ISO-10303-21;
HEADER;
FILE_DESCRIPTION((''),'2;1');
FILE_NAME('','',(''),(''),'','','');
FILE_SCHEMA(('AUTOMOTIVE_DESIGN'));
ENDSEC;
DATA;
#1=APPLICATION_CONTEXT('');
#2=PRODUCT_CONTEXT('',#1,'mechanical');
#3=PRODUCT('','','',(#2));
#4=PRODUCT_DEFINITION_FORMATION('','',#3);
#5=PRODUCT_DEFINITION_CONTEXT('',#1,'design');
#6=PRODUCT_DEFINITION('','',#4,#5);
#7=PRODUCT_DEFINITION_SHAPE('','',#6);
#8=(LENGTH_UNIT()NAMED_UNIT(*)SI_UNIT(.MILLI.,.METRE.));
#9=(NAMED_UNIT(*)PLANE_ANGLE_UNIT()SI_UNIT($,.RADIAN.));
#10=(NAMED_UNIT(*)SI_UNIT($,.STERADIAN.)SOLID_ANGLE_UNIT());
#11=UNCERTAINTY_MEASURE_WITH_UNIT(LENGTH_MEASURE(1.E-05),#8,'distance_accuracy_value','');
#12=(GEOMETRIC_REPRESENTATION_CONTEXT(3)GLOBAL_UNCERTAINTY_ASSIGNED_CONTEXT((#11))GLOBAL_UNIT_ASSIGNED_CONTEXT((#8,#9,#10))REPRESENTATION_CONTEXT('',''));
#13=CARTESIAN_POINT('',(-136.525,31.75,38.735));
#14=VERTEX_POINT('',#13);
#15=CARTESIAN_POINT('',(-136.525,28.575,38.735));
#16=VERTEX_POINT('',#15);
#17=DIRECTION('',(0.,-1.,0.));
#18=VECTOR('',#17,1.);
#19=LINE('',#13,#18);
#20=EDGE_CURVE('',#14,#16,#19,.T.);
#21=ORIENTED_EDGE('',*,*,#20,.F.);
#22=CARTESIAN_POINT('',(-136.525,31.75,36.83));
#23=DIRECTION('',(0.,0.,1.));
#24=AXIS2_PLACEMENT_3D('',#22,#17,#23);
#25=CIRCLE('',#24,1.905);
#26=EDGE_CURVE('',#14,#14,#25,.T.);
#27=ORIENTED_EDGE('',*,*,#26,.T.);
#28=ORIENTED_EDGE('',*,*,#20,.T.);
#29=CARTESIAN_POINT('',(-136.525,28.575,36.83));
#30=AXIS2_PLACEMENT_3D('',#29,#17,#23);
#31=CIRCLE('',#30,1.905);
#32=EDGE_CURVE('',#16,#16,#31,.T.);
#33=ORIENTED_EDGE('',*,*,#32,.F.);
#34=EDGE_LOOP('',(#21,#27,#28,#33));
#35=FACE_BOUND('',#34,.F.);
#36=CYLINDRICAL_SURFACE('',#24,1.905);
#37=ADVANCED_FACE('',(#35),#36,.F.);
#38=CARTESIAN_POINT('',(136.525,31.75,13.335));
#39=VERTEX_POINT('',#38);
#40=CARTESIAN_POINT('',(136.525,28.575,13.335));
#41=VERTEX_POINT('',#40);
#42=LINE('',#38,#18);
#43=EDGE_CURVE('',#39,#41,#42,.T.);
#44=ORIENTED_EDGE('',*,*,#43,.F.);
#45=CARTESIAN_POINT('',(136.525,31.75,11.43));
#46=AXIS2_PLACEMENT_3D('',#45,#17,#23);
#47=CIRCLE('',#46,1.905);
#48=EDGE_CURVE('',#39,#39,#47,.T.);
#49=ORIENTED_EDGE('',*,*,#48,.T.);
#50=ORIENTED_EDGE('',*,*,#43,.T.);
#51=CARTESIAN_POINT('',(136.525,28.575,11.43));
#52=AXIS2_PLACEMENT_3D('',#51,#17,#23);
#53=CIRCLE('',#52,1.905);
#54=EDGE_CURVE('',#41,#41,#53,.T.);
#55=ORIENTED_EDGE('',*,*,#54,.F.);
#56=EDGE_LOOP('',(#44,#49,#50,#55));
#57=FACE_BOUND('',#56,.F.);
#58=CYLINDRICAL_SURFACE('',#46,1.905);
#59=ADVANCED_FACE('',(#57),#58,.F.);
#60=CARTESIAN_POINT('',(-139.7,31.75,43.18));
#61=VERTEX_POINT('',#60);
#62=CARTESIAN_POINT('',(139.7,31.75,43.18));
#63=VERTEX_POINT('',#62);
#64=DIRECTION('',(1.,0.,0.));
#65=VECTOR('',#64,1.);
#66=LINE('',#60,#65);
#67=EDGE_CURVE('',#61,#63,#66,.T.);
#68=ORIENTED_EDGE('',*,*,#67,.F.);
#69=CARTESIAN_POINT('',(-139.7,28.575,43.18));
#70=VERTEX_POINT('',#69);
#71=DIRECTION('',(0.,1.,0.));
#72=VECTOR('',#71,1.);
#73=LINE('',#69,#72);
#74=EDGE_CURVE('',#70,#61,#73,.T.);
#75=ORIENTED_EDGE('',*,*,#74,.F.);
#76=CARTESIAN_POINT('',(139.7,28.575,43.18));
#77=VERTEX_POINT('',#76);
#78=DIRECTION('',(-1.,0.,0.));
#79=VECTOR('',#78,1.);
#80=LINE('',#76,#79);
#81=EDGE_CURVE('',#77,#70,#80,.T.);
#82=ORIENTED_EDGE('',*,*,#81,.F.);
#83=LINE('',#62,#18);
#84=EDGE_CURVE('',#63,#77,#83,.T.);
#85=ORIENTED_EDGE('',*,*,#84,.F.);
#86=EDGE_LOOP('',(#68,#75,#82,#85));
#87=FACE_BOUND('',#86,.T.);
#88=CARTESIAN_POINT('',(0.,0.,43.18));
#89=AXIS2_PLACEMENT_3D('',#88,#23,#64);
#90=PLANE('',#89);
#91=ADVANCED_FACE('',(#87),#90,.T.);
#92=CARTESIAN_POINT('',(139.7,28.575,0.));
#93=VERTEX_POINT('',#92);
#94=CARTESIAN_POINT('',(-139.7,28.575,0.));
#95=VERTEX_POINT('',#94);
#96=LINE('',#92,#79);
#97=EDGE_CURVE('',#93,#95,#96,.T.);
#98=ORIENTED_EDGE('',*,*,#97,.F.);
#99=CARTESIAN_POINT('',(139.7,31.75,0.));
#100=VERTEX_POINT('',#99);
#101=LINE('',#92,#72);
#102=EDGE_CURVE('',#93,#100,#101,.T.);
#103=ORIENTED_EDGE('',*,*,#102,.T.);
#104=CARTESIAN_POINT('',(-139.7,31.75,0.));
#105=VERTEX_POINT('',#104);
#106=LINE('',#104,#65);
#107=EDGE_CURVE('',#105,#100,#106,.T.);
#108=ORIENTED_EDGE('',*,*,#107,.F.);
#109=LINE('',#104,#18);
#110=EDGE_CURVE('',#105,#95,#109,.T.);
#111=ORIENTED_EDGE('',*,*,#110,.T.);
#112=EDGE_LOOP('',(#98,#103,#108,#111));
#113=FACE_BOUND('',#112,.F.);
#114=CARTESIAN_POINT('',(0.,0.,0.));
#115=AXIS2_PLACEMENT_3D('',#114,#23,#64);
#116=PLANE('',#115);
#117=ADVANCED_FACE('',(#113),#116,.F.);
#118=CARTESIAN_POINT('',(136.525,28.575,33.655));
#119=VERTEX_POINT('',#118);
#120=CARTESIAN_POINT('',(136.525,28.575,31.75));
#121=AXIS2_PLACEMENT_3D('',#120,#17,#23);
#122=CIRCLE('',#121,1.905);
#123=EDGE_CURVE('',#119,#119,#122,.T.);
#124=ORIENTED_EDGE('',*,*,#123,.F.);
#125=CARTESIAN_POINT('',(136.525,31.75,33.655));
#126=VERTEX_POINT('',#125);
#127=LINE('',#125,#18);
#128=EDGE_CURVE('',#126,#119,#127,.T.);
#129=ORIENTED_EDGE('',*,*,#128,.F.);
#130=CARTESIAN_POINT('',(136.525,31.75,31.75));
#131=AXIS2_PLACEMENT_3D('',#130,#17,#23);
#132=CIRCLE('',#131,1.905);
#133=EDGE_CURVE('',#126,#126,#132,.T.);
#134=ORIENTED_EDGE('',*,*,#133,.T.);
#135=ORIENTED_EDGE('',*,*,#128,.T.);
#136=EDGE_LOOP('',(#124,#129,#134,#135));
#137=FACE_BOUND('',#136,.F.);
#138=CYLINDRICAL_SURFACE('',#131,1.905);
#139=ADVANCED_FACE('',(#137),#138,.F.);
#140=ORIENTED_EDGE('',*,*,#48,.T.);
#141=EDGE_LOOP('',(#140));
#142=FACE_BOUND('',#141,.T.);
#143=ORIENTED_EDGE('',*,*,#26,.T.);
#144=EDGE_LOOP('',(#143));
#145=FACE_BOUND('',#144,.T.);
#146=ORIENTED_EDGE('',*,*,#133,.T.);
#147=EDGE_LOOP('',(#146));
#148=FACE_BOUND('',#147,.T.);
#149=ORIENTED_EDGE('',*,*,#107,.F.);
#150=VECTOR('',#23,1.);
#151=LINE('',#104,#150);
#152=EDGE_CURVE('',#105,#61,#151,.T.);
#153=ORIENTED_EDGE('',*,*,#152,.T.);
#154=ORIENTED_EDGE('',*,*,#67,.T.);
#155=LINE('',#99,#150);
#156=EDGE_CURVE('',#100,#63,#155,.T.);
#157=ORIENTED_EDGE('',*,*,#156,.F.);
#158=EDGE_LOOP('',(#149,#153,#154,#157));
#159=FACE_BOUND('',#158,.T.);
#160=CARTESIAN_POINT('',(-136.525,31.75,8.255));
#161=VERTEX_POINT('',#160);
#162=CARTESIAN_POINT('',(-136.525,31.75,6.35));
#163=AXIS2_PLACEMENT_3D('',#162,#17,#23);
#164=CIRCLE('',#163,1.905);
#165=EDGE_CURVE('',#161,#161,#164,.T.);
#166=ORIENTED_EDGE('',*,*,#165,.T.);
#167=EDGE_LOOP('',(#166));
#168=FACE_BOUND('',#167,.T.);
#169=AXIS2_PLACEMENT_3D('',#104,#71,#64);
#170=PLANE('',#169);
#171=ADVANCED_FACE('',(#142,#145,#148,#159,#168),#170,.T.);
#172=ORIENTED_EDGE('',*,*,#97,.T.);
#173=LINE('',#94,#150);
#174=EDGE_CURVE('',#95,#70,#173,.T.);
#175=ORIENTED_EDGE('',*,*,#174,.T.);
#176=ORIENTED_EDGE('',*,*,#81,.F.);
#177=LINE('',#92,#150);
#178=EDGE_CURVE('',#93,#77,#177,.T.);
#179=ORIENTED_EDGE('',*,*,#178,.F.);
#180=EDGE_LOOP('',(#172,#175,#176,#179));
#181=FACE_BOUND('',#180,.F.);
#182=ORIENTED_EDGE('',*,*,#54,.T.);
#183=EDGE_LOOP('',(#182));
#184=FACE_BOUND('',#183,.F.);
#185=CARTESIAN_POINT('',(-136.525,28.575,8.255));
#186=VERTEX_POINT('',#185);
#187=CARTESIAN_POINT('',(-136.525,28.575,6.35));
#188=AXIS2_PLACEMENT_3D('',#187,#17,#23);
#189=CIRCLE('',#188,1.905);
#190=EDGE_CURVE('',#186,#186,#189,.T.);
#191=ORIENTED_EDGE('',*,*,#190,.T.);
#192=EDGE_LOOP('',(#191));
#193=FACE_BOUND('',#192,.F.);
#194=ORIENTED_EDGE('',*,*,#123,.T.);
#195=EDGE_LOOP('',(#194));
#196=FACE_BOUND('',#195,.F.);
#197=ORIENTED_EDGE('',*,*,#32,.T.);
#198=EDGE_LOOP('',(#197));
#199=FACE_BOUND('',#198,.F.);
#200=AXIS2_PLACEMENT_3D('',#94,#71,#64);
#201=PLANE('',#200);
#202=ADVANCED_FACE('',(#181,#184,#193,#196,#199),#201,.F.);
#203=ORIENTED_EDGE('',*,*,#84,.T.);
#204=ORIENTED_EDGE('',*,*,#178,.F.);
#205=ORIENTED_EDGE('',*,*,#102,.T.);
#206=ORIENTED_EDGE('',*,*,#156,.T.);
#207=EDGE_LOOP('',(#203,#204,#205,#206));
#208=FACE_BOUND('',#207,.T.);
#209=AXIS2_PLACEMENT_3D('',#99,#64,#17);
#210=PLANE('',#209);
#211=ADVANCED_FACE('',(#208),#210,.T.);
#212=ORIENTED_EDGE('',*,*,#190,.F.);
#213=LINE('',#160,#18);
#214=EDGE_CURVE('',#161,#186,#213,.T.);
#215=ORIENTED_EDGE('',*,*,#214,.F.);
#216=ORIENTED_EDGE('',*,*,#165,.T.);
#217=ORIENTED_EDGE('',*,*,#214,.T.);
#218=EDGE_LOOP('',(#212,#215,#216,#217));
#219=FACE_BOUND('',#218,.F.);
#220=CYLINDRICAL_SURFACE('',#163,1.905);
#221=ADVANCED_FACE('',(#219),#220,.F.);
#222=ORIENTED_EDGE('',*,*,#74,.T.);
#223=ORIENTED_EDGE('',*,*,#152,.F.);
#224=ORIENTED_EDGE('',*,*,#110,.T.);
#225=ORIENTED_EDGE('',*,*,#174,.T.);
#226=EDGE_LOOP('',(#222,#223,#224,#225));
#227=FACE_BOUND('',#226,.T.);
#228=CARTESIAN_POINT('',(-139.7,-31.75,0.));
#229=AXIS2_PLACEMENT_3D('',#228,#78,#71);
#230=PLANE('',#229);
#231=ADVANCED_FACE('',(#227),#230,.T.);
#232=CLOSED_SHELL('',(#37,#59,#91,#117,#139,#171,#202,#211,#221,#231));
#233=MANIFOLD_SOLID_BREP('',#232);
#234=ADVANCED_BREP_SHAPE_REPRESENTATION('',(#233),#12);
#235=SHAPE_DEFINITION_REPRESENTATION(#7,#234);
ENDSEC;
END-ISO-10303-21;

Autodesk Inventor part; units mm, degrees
ref_plane "YZ Plane" through (0, 0, 0) normal (1, 0, 0) x (0, 1, 0)
ref_plane "XZ Plane" through (0, 0, 0) normal (0, 1, 0) x (-1, 0, 0)
ref_plane "XY Plane" through (0, 0, 0) normal (0, 0, 1) x (1, 0, 0)
sketch "Sketch1" plane through (0, 0, 0) normal (0, 0, 1) x (1, 0, 0)
  line L0 (-139.7, 31.75) -> (139.7, 31.75)
  line L1 (139.7, 31.75) -> (139.7, -31.75)
  line L2 (139.7, -31.75) -> (-139.7, -31.75)
  line L3 (-139.7, -31.75) -> (-139.7, 31.75)
  point P0 (0, 0)
  point P1 (0, 31.75)
  point P2 (139.7, 0)
  dimension "d0" = 279.4
  dimension "d1" = 63.5
extrude "Extrusion1" add sketch "Sketch1" along normal blind 43.18
sketch "Sketch2" plane through (0, 0, 43.18) normal (0, 0, 1) x (1, 0, 0)
  line L0 (-139.7, -31.75) -> (139.7, -31.75) projected
  line L1 (-138.1125, 30.1625) -> (138.1125, 30.1625)
  line L2 (138.1125, 30.1625) -> (138.1125, -31.75)
  line L3 (138.1125, -31.75) -> (-138.1125, -31.75)
  line L4 (-138.1125, -31.75) -> (-138.1125, 30.1625)
  line L5 (139.7, -31.75) -> (139.7, 31.75) projected
  line L6 (139.7, 31.75) -> (-139.7, 31.75) projected
  line L7 (-139.7, 31.75) -> (-139.7, -31.75) projected
  point P0 (0, 0)
  point P1 (-138.1125, -31.75)
  dimension "d4" = 1.5875
  dimension "d5" = 1.5875
  dimension "d6" = 1.5875
extrude "Extrusion2" cut sketch "Sketch2" against normal up to surface (43.18 mm away) contours L4 L1 L2 L0
sketch "Sketch3" plane through (-138.1125, -31.75, 43.18) normal (1, 0, 0) x (0, 0, -1)
  circle A0 centre (21.59, 41.5925) radius 5.05
  line L0 (0, 61.9125) -> (43.18, 61.9125) projected
  circle A1 centre (21.59, 21.2725) radius 1.5875
  line L1 (43.18, 63.5) -> (0, 63.5) projected
  point P0 (43.18, 31.75)
  point P1 (21.59, 63.5)
  dimension "d9" = 10.1
  dimension "d10" = 20.32
  dimension "d13" = 3.175
  dimension "d15" = 20.32
extrude "Extrusion3" cut sketch "Sketch3" along normal through all both and the other way through all
sketch "Sketch4" plane through (139.7, -31.75, 0) normal (1, 0, 0) x (0, 0, -1)
  circle A0 centre (-10.16, 26.3525) radius 2.3813
  line L0 (0, 63.5) -> (-43.18, 63.5) construction
  line L1 (-21.59, 63.5) -> (-21.59, -3.1611) construction
  line L2 (0, 0) -> (0, 63.5) projected
  circle A1 centre (-21.59, 41.5925) radius 5.05 projected
  circle A2 centre (-33.02, 26.3525) radius 2.3813
  point P0 (0, 31.75)
  dimension "d16" = 10.16
  dimension "d17" = 15.24
  dimension "d18" = 4.7625
extrude "Extrusion4" cut sketch "Sketch4" against normal up to surface (1.5875 mm away) contours A0 | A2
sketch "Sketch5" plane through (-139.7, -31.75, 0) normal (-1, 0, 0) x (0, 0, 1)
  circle A0 centre (21.59, 41.5925) radius 5.05 construction
  line L0 (21.59, 41.5925) -> (21.59, 66.4825) construction
  line L1 (21.59, 41.5925) -> (51.2225, 41.5925) construction
  circle A1 centre (37.09, 57.0925) radius 1.5875
  circle A2 centre (6.09, 57.0925) radius 1.5875
  circle A3 centre (37.09, 26.0925) radius 1.5875
  circle A4 centre (6.09, 26.0925) radius 1.5875
  point P0 (0, 31.75)
  dimension "d21" = 3.175
  dimension "d22" = 15.5
  dimension "d23" = 15.5
extrude "Extrusion5" cut sketch "Sketch5" against normal up to surface (1.5875 mm away)
sketch "Sketch7" plane through (0, 0, 43.18) normal (0, 0, 1) x (1, 0, 0)
  line L0 (138.1125, 30.1625) -> (-138.1125, 30.1625) projected
  line L1 (-138.1125, 30.1625) -> (278.0332, 30.1625)
  line L2 (278.0332, 30.1625) -> (278.0332, -45.0873)
  line L3 (278.0332, -45.0873) -> (-138.1125, -45.0873)
  line L4 (-138.1125, -45.0873) -> (-138.1125, 30.1625)
  line L5 (-138.1125, 30.1625) -> (-211.6655, 30.1625)
  line L6 (-211.6655, 30.1625) -> (-211.6655, -38.9491)
  line L7 (-211.6655, -38.9491) -> (-138.1125, -38.9491)
  line L8 (-138.1125, -38.9491) -> (-138.1125, 30.1625)
  point P0 (0, 0)
extrude "Extrusion6" cut sketch "Sketch7" against normal through all
sketch "Sketch8" plane through (-139.7, 31.75, 0) normal (0, 1, 0) x (1, 0, 0)
  line L0 (279.4, 0) -> (0, 0) projected
  line L1 (0, 0) -> (0, -43.18) projected
  line L2 (279.4, -43.18) -> (0, -43.18) projected
  line L3 (279.4, 0) -> (279.4, -43.18) projected
  point P0 (139.7, 0)
extrude "Extrusion7" add sketch "Sketch8" against normal blind 3.175
sketch "Sketch9" plane through (-139.7, 31.75, 0) normal (0, 1, 0) x (1, 0, 0)
  line L0 (279.4, -43.18) -> (0, -43.18) projected
  line L1 (279.4, 0) -> (279.4, -43.18) projected
  line L2 (279.4, 0) -> (0, 0) projected
  line L3 (0, 0) -> (0, -43.18) projected
  point P0 (139.7, 0)
  point P1 (276.225, -31.75)
  point P2 (276.225, -11.43)
  point P3 (3.175, -6.35)
  point P4 (3.175, -36.83)
  dimension "d30" = 11.43
  dimension "d31" = 3.175
  dimension "d32" = 11.43
  dimension "d33" = 3.175
  dimension "d34" = 3.175
  dimension "d35" = 3.175
  dimension "d36" = 6.35
  dimension "d37" = 6.35
hole "Hole1" at (136.525, 31.75, 31.75) at (136.525, 31.75, 11.43) at (-136.525, 31.75, 6.35) at (-136.525, 31.75, 36.83) direction (0, -1, 0) diameter 3.81 depth 22.479 tip angle 118 clearance for "Hex Machine Screw" size "#6" standard "Ansi Unified Screw Threads"
properties part number "Bracket(middle)"
